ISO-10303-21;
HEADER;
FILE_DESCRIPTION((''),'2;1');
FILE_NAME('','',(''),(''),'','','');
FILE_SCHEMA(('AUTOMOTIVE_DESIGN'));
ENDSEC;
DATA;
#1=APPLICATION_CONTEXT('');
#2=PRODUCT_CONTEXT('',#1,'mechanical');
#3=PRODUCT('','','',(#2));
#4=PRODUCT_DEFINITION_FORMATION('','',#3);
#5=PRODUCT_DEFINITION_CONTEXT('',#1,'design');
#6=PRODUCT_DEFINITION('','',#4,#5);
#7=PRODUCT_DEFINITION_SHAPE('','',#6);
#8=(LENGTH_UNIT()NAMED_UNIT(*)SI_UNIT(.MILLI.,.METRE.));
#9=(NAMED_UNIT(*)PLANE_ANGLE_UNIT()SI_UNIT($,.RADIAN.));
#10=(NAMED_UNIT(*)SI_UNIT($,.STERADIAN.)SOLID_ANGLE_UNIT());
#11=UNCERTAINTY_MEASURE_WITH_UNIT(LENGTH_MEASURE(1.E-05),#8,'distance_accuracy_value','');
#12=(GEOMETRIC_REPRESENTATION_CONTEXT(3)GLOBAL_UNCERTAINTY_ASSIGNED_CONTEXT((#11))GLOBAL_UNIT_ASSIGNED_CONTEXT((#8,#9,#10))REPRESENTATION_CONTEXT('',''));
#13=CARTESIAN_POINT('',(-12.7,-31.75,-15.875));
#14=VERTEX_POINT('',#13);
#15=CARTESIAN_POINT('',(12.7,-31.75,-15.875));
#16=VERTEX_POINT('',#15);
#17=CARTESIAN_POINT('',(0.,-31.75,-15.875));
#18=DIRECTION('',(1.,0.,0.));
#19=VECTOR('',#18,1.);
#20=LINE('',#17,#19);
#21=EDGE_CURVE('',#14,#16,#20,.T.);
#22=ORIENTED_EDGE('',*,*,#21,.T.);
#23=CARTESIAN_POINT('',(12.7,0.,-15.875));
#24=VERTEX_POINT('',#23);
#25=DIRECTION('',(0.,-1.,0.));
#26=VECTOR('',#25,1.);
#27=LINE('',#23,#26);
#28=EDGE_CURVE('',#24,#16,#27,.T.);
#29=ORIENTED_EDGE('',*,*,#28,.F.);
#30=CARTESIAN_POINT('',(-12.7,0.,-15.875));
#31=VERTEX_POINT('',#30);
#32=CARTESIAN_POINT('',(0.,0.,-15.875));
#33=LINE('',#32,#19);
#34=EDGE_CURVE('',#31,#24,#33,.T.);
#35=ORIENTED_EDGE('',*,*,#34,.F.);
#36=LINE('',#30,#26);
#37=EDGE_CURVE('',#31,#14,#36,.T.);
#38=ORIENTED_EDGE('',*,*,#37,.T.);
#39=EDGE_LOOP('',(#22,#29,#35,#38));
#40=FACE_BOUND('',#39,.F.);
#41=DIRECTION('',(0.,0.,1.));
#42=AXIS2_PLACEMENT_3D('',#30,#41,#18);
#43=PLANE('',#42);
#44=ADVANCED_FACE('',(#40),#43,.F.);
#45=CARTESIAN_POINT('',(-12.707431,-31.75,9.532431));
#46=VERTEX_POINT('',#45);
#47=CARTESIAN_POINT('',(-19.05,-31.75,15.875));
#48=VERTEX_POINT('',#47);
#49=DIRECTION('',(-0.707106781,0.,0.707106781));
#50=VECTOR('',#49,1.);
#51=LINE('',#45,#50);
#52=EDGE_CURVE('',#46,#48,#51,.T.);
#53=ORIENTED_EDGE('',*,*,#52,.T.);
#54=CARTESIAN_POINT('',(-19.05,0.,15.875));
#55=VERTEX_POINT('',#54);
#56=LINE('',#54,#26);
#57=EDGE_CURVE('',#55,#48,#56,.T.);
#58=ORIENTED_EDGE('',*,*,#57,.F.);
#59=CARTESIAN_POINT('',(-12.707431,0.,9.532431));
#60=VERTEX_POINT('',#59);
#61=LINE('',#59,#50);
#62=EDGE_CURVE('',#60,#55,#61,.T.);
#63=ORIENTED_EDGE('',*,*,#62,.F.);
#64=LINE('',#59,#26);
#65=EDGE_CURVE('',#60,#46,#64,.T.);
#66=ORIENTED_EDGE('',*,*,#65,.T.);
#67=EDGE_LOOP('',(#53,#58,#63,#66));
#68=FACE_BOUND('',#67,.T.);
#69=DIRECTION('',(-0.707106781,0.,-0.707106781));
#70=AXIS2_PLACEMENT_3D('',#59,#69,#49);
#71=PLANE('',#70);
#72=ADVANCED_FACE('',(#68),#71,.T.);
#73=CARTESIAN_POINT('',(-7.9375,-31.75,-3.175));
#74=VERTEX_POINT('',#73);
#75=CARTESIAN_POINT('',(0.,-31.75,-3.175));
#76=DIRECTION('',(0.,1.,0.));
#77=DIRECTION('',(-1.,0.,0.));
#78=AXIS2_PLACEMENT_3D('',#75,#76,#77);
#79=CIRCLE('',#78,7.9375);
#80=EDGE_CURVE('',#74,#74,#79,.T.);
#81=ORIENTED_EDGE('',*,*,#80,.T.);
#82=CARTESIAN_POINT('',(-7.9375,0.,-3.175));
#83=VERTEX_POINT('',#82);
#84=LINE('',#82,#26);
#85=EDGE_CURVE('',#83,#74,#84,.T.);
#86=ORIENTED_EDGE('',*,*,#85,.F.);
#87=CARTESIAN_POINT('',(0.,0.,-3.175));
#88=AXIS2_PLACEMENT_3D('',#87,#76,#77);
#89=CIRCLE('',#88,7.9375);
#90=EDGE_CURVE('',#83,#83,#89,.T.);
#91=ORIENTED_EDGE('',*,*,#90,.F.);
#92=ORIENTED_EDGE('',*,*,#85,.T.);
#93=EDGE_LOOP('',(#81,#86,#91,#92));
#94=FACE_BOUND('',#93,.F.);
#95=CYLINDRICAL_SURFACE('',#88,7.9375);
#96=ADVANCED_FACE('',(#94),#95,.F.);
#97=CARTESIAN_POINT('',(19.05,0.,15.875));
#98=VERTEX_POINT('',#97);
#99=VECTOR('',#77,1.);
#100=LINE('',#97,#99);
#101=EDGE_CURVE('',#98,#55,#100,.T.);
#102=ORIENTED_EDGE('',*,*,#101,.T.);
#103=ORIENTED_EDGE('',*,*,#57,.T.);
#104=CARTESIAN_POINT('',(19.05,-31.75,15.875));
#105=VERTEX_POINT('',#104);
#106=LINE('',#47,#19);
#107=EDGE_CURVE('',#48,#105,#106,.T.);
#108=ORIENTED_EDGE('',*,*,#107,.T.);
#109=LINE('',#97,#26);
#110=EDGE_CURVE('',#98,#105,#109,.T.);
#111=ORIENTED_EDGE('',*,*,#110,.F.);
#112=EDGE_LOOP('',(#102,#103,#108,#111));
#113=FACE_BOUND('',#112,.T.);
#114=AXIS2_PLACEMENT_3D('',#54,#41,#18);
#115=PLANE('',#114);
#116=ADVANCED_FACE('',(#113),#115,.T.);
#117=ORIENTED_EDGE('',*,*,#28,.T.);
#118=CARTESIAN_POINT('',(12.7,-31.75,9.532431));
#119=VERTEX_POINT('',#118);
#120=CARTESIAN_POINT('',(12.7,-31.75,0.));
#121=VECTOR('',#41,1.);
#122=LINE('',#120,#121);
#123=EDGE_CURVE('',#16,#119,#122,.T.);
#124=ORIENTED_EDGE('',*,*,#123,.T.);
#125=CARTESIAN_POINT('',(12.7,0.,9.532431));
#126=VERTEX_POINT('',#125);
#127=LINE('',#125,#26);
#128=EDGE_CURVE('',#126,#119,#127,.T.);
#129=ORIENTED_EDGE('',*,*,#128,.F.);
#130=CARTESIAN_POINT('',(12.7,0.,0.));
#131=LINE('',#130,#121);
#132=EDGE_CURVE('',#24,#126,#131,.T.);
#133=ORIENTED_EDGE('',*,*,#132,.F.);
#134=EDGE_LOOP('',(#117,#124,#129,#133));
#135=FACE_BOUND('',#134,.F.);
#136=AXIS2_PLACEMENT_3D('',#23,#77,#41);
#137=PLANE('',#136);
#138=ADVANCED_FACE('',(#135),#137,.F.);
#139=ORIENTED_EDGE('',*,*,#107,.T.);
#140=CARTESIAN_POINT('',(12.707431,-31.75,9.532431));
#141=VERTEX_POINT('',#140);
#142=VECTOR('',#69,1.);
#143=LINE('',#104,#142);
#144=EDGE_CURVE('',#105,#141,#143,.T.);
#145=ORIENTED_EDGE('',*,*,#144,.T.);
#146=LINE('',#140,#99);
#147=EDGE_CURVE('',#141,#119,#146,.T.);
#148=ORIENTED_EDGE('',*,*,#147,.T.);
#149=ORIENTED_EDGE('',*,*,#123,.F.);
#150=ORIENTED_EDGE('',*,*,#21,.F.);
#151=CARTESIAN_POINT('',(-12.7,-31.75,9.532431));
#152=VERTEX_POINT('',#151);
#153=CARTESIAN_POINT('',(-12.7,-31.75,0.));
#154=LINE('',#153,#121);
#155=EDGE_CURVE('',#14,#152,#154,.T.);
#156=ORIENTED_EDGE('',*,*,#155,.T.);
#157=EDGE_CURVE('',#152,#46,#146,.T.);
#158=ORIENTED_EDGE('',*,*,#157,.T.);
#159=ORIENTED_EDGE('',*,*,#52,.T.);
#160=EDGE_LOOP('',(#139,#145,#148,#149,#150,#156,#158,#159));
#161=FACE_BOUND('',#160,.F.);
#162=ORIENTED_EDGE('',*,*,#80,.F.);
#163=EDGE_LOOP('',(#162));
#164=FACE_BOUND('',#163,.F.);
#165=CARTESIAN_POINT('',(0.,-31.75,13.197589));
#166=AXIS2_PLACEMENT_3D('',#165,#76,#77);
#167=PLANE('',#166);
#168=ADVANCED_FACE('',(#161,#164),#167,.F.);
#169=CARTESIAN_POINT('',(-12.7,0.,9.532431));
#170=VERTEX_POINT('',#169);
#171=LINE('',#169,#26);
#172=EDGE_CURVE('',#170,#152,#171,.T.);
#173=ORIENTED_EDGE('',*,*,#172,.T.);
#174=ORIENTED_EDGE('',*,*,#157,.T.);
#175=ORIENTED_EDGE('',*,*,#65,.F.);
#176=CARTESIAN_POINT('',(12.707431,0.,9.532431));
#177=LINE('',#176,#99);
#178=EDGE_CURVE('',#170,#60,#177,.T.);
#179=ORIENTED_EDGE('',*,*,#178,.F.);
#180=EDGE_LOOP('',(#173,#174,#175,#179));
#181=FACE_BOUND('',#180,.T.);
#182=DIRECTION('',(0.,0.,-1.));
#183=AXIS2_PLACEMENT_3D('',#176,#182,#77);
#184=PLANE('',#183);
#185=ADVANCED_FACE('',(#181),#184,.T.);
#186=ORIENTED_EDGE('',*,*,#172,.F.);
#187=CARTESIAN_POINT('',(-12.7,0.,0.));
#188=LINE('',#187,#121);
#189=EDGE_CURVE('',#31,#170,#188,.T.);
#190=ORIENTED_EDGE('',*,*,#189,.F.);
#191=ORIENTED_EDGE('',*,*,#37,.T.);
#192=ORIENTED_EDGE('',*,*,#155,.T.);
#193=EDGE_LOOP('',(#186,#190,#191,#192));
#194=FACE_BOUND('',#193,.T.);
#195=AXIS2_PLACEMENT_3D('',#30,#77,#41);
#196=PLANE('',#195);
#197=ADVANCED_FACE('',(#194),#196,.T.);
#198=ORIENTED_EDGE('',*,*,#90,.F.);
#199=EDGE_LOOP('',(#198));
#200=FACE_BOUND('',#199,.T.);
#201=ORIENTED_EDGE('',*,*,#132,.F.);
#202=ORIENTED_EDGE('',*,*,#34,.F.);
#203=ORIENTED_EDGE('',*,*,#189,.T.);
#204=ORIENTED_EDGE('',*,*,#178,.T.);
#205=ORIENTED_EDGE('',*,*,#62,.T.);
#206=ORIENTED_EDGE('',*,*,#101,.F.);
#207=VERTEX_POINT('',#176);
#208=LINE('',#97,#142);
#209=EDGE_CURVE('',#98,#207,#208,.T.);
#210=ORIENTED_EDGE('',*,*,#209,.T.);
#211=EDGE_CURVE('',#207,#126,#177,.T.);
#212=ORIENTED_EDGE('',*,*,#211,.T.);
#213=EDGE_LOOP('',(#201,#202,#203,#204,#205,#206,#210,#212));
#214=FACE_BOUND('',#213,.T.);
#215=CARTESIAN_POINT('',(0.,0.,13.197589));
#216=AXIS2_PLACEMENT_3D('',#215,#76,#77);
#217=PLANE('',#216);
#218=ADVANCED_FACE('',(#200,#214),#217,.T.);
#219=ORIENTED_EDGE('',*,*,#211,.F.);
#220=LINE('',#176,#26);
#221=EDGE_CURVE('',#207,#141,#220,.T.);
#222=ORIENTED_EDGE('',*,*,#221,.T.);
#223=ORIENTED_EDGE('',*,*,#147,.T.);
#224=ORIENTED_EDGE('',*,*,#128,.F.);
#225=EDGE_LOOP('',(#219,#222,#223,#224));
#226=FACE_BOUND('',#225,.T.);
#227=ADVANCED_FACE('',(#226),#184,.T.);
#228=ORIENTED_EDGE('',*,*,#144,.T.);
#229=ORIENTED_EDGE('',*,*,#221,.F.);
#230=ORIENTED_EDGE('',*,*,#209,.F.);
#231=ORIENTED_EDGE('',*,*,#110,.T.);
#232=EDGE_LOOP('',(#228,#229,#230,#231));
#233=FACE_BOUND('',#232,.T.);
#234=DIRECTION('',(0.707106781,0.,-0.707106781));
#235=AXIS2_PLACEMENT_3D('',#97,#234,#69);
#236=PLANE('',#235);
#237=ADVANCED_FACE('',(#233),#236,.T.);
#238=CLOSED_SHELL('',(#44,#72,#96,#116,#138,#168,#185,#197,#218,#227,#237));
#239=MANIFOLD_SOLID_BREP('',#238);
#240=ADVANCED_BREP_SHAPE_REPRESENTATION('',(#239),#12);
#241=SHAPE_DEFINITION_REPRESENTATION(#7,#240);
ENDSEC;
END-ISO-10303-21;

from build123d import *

# Parameters (mm, degrees)
F0_W     = 25.4
F0_H     = 31.75
F1_DEPTH = 31.75
F2_R     = 7.9375
F3_DEPTH = 31.75
F5_DEPTH = 31.75


with BuildPart() as f1:
    # F0 (on Front) → F1 (new body)
    with BuildSketch(Plane.XZ):
        Rectangle(F0_W, F0_H)
    extrude(amount=F1_DEPTH)

    # F2 (on face) → F3 (cut, through all)
    with BuildSketch(Plane(origin=(0, 0, 0), x_dir=(-1, 0, 0), z_dir=(0, 1, 0))):
        with Locations((0, -3.175)):
            Circle(F2_R)
    extrude(amount=-F3_DEPTH, mode=Mode.SUBTRACT)

    # F4 (on face) → F5 (join, through all)
    with BuildSketch(Plane(origin=(0, 0, 0), x_dir=(-1, 0, 0), z_dir=(0, 1, 0))):
        Polygon((19.05, 15.875), (-19.05, 15.875), (-12.707431, 9.532431), (12.707431, 9.532431), align=None)
    extrude(amount=-F5_DEPTH)


solid = f1.part
